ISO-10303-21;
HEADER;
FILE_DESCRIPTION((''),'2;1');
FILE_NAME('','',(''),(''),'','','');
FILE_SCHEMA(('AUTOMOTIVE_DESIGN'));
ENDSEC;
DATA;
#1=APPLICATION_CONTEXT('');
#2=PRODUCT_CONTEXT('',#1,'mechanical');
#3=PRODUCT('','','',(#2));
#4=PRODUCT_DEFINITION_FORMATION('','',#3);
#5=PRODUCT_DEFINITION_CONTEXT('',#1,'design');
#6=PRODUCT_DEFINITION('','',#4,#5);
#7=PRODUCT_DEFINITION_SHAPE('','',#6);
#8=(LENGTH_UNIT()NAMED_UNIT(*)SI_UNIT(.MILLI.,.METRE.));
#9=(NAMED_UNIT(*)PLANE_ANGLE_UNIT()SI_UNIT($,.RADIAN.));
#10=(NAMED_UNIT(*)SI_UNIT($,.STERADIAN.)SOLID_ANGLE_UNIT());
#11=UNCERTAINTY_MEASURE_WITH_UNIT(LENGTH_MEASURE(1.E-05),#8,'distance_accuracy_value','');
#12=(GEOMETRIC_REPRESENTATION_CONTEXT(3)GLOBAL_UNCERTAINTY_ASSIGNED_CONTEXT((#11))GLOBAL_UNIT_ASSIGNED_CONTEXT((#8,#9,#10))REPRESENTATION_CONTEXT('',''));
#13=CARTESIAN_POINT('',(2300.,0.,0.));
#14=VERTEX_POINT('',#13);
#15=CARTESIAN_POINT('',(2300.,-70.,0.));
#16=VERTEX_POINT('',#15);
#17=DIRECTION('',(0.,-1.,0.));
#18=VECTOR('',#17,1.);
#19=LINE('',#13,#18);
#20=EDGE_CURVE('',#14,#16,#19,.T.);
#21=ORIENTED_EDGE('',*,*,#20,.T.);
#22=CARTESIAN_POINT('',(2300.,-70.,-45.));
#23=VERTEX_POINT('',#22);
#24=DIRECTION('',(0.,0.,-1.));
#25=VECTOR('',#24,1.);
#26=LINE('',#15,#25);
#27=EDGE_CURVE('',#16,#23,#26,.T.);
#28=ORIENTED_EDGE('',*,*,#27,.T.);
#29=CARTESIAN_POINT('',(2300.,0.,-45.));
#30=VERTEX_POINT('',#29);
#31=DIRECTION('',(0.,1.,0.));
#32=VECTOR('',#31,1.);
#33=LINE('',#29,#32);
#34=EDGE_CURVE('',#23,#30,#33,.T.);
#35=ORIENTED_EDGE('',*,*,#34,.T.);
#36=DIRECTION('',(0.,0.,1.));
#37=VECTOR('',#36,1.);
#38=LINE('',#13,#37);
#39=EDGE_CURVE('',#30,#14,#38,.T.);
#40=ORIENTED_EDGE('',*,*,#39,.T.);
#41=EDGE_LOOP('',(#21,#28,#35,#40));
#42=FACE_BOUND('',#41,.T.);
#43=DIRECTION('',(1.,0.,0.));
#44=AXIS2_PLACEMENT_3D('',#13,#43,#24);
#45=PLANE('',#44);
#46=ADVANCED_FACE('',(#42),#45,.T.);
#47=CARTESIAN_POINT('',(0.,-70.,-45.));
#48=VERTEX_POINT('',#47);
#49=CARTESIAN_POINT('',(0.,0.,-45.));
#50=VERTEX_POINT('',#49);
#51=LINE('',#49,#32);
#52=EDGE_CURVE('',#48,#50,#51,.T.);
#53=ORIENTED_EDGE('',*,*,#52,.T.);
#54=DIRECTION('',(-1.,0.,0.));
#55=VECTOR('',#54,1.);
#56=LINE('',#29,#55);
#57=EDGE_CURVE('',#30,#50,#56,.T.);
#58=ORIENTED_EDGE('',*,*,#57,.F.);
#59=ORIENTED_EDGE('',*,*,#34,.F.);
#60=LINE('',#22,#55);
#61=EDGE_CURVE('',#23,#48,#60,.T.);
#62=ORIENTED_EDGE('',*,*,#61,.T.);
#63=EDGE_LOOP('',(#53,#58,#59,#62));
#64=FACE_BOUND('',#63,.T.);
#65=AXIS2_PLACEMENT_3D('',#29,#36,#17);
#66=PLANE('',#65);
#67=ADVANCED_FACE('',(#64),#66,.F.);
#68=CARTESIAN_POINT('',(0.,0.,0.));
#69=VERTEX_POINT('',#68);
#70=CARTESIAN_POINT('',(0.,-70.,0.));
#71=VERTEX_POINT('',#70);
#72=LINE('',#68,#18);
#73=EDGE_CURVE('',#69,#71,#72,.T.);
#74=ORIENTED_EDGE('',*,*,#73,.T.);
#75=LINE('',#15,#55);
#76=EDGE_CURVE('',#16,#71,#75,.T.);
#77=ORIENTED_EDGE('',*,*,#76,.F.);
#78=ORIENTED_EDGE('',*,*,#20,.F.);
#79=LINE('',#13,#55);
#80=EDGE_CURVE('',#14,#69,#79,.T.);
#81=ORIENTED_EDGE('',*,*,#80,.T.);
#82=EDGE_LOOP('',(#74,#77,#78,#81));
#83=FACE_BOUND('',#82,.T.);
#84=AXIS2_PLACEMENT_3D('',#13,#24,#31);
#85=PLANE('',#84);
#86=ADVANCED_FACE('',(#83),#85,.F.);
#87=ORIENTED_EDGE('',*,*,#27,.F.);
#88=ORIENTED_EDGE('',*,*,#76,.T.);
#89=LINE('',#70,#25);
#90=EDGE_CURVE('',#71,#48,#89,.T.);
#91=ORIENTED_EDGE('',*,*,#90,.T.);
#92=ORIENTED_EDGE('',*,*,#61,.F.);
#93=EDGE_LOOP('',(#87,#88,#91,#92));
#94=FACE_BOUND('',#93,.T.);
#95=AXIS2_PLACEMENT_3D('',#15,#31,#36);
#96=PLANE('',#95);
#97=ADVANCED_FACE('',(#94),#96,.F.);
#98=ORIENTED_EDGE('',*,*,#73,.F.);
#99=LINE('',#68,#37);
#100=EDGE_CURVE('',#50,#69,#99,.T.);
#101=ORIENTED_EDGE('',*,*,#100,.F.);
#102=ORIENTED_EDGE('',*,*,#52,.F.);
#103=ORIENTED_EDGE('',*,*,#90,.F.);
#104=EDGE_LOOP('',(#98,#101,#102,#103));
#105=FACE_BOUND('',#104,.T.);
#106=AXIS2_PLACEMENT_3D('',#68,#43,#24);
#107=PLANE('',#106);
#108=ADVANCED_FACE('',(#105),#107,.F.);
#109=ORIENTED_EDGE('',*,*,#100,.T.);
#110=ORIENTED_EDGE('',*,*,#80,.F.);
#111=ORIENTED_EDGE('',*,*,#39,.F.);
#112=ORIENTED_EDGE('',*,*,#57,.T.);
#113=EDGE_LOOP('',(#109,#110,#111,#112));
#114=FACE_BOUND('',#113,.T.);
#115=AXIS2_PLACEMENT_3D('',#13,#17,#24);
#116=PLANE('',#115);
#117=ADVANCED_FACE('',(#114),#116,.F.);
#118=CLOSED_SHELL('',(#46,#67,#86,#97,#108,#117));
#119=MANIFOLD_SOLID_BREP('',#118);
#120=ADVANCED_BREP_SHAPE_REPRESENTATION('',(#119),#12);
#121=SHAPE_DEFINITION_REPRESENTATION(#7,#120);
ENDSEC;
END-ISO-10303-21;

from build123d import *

# Parameters (mm, degrees)
SKETCH1_W           = 45
SKETCH1_H           = 70
BOSS_EXTRUDE1_DEPTH = 2300


with BuildPart() as part:
    # Sketch1 → Boss-Extrude1 (new body)
    with BuildSketch(Plane(origin=(0, 0, 0), x_dir=(0, 0, -1), z_dir=(1, 0, 0))):
        with Locations((22.5, -35)):
            Rectangle(SKETCH1_W, SKETCH1_H)
    extrude(amount=BOSS_EXTRUDE1_DEPTH)


solid = part.part
